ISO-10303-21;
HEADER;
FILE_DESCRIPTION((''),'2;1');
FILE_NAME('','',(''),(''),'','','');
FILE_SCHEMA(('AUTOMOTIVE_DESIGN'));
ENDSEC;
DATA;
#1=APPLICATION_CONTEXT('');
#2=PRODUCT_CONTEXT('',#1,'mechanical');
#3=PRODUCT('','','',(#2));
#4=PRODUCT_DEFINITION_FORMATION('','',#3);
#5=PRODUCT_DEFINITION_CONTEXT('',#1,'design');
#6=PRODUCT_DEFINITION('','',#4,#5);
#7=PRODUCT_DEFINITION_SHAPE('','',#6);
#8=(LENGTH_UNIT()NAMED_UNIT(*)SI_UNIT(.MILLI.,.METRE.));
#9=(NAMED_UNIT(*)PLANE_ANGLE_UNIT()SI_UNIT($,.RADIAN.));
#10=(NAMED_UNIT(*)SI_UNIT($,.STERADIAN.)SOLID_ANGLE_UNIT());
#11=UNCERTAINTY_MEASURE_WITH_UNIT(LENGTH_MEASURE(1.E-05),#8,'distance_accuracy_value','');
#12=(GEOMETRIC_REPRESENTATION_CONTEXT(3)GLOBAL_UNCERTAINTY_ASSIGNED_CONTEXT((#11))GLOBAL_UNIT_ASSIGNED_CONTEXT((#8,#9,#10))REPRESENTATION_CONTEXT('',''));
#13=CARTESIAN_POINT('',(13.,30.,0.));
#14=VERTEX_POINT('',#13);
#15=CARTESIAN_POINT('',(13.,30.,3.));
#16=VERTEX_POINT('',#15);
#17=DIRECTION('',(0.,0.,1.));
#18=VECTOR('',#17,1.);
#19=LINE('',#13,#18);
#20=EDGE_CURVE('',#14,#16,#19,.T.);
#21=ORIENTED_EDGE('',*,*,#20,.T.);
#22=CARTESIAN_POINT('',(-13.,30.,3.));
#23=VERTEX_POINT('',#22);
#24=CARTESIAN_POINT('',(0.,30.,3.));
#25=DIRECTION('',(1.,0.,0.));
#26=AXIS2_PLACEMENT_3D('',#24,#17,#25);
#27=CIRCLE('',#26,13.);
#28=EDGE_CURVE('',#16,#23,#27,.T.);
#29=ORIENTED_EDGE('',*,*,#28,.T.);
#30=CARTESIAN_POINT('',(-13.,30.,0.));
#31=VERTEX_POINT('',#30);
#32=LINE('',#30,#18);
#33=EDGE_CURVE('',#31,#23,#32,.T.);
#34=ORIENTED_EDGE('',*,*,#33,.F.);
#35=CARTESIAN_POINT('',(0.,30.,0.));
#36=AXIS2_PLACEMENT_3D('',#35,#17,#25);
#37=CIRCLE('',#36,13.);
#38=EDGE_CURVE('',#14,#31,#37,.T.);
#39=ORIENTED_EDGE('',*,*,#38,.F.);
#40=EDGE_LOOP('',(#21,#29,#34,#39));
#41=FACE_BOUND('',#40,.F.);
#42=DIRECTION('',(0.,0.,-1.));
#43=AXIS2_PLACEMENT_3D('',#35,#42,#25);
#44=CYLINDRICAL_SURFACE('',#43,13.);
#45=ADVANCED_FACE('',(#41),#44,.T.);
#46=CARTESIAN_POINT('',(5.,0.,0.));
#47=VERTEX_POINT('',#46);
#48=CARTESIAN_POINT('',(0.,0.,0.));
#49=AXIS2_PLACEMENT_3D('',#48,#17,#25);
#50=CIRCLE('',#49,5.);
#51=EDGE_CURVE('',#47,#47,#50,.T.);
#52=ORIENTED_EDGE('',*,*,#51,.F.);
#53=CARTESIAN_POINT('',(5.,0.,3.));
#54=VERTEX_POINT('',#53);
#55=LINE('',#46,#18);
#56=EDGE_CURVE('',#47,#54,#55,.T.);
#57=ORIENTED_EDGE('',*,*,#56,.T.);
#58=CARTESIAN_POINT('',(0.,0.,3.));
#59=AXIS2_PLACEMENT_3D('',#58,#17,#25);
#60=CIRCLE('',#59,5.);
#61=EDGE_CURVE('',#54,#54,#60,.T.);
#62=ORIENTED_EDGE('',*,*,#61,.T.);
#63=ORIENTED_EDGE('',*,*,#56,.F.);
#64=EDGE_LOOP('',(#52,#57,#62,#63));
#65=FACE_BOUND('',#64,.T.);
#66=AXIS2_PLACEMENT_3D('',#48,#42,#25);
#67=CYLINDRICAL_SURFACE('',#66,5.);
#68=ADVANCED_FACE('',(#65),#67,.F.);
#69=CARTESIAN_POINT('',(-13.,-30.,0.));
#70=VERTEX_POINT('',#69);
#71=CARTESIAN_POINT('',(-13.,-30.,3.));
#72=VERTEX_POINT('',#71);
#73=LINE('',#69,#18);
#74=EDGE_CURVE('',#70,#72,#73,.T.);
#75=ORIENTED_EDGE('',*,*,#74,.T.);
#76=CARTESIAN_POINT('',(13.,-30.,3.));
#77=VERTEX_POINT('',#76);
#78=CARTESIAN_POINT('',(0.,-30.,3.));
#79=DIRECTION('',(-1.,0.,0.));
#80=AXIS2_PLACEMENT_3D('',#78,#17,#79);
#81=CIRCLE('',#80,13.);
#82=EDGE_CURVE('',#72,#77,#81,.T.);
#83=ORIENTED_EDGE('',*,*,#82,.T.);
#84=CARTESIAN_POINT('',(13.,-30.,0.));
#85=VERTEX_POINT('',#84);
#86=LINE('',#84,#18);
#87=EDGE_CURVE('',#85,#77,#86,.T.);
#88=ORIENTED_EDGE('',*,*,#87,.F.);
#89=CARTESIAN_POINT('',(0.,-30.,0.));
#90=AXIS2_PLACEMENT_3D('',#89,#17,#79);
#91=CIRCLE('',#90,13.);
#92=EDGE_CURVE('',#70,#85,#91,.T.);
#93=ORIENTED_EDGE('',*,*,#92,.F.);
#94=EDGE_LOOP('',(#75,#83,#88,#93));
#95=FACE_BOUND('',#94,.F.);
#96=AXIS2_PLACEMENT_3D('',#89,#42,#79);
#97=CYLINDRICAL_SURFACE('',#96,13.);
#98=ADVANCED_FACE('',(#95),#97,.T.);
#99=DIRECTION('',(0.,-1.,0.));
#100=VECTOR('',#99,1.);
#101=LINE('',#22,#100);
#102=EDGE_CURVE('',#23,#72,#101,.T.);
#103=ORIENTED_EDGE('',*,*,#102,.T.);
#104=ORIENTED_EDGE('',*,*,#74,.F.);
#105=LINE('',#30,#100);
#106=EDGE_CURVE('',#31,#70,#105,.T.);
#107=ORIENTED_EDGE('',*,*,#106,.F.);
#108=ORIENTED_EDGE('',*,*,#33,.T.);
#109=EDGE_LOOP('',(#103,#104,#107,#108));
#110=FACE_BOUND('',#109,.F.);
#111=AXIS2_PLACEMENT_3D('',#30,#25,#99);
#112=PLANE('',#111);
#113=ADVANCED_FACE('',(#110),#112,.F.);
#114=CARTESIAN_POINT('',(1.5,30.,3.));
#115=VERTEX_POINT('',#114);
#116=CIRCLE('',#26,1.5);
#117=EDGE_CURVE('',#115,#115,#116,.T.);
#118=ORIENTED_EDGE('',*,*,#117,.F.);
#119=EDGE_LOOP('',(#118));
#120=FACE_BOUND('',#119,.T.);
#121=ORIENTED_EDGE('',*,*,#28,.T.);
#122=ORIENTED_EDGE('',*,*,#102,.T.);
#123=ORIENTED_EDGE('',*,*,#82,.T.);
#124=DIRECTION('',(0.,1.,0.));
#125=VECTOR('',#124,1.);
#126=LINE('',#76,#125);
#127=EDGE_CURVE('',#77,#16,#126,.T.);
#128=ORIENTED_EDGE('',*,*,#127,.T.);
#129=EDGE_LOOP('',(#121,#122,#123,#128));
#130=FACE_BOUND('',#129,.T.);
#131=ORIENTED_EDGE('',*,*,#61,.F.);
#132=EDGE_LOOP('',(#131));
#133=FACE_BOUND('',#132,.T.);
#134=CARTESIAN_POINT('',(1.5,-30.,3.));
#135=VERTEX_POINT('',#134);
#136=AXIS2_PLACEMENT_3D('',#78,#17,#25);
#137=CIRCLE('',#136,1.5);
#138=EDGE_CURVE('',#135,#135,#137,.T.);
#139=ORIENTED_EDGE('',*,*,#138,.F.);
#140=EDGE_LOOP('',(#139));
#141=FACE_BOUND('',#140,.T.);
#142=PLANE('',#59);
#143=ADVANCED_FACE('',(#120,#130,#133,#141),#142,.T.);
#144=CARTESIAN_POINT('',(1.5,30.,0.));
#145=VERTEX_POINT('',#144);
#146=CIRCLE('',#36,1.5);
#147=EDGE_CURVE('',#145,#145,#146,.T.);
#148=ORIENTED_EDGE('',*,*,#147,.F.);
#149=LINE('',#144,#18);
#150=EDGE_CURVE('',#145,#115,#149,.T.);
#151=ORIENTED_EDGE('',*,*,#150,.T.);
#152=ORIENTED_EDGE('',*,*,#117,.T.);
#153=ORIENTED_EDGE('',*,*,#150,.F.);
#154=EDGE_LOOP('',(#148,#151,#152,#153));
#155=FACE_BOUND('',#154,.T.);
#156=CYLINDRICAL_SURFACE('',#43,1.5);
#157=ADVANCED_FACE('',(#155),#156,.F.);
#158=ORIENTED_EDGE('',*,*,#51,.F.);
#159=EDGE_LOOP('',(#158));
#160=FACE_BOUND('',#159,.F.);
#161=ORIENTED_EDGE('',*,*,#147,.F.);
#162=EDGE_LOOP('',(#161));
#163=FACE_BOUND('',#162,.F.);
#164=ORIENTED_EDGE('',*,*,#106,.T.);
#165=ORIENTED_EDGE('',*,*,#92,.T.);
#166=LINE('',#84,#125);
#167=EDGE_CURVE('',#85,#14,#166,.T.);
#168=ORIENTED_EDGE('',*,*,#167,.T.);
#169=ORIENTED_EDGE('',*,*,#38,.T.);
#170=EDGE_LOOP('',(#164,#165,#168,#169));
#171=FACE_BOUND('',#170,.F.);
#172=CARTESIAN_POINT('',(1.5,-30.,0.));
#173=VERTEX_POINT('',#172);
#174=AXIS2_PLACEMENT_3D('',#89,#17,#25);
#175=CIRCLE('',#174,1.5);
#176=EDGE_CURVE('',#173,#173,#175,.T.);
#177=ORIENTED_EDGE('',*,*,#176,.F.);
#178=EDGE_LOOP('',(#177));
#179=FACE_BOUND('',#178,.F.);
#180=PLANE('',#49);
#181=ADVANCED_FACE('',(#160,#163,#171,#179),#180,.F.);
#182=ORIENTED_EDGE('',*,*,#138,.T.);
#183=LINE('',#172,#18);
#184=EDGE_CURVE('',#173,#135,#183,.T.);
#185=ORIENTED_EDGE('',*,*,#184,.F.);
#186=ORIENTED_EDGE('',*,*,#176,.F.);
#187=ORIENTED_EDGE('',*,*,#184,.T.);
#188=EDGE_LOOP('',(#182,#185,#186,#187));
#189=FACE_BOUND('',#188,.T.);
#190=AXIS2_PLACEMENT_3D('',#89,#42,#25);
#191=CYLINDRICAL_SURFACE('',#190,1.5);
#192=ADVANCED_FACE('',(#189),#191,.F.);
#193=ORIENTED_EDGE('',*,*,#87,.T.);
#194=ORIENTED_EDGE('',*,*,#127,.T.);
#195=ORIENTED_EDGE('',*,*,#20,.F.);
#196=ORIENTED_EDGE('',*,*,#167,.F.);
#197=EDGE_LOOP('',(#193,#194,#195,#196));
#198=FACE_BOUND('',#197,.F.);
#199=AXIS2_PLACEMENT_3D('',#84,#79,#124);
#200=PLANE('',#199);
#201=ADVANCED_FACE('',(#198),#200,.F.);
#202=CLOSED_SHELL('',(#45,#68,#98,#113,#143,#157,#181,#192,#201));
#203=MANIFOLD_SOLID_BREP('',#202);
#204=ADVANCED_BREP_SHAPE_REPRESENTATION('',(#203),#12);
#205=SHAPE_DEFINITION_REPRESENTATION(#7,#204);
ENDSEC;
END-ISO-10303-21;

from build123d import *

# Parameters (mm, degrees)
F0_R     = 1.5
F0_R_2   = 5
F1_DEPTH = 3


with BuildPart() as f1:
    # F0 (on Top) → F1 (new body)
    with BuildSketch(Plane.XY):
        with BuildLine():
            Line((13, 0), (13, 30))
            ThreePointArc((13, 30), (0, 43), (-13, 30))
            Line((-13, 30), (-13, 0))
            Line((-13, 0), (-13, -30))
            ThreePointArc((-13, -30), (0, -43), (13, -30))
            Line((13, -30), (13, 0))
        make_face()
        with Locations((0, -30)):
            Circle(F0_R, mode=Mode.SUBTRACT)
        Circle(F0_R_2, mode=Mode.SUBTRACT)
        with Locations((0, 30)):
            Circle(F0_R, mode=Mode.SUBTRACT)
    extrude(amount=F1_DEPTH)


solid = f1.part
